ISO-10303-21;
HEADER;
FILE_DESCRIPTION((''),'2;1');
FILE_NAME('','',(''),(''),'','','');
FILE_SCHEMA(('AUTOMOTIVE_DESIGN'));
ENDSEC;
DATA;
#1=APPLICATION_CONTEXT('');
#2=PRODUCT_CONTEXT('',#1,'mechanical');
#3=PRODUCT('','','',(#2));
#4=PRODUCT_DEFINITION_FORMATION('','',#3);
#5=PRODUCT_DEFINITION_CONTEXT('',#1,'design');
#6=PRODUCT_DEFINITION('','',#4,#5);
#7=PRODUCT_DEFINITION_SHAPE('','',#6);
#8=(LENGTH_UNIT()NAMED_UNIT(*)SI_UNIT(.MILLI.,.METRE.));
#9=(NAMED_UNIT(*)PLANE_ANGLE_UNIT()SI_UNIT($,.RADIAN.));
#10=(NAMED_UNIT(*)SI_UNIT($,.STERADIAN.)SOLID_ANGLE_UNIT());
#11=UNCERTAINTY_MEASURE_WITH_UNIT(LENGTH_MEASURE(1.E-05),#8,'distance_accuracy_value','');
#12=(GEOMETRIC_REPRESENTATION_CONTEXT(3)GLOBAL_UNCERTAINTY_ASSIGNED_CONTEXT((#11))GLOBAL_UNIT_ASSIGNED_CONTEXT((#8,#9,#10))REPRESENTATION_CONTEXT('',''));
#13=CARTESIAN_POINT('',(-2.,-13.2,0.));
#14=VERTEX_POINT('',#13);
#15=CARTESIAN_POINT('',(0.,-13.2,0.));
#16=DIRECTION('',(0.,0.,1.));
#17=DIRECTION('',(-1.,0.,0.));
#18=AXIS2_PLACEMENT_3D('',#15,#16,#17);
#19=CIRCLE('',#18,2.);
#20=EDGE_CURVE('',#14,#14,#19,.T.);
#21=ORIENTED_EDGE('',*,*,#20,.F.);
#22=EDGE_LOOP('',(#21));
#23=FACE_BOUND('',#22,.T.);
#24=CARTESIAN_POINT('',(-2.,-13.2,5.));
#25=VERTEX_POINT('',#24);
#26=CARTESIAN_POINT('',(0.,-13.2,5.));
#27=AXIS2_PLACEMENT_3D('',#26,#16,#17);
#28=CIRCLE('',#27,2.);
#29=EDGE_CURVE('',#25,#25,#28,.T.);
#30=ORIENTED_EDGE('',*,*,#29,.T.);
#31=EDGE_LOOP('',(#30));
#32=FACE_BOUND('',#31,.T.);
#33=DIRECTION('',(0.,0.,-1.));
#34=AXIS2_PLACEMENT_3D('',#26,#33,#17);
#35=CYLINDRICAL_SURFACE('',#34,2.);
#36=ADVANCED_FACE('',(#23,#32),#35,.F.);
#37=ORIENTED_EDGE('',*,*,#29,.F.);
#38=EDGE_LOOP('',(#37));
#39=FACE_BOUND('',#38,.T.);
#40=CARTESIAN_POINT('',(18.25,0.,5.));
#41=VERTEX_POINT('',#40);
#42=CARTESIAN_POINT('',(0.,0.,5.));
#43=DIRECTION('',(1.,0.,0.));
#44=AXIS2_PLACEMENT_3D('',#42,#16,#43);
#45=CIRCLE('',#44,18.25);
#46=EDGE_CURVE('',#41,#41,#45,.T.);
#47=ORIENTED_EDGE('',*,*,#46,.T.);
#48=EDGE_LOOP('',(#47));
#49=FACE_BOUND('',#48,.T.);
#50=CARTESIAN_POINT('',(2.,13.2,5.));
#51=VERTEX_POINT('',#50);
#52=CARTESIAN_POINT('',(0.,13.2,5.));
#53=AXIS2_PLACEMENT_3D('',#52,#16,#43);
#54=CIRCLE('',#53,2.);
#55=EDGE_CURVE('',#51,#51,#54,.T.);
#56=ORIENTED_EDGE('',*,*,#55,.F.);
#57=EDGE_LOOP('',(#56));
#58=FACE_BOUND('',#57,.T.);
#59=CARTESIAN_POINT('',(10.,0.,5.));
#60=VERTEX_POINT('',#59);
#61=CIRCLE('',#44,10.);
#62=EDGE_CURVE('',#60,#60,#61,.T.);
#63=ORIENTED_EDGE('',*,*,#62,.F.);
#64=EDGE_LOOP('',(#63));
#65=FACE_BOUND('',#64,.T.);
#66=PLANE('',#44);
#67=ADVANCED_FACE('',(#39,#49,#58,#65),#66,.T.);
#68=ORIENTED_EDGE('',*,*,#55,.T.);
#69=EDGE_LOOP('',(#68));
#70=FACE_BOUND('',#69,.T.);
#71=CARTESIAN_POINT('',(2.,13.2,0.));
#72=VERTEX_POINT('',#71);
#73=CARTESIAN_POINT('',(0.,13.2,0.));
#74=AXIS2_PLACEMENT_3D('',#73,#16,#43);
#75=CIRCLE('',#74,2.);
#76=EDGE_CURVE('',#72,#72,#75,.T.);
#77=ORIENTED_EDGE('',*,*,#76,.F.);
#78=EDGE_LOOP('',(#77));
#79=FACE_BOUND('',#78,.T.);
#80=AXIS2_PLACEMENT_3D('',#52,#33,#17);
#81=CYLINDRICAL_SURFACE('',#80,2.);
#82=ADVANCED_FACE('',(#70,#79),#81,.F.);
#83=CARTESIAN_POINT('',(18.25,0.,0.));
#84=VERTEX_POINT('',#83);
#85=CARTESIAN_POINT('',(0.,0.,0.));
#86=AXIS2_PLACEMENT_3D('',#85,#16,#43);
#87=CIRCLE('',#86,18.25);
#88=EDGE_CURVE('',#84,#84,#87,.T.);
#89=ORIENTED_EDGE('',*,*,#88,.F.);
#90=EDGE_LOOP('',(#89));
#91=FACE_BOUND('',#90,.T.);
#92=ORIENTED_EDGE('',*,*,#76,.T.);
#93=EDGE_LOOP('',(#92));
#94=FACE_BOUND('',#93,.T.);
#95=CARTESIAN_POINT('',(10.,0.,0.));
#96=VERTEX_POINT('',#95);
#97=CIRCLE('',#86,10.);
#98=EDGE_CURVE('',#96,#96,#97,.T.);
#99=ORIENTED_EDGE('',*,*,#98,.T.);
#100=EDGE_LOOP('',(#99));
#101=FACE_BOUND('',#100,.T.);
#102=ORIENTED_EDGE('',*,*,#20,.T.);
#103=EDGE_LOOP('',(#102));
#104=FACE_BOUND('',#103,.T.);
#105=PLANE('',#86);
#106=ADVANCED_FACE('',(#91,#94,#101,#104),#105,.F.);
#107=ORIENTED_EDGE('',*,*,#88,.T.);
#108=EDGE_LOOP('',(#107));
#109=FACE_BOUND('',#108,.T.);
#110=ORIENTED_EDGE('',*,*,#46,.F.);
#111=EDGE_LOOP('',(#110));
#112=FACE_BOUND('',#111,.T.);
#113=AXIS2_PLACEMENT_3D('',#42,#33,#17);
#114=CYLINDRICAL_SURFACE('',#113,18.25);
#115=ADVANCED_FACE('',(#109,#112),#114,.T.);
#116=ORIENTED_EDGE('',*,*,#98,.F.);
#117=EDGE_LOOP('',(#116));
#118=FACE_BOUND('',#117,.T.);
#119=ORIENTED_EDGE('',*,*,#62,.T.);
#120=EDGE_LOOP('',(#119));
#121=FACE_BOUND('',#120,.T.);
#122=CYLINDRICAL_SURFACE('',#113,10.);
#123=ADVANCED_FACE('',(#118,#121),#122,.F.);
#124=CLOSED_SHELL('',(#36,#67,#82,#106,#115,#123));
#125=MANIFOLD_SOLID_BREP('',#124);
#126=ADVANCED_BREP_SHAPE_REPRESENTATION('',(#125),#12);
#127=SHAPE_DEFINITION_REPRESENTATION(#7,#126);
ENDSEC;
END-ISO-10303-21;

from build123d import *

# Parameters (mm, degrees)
SKETCH1_R           = 18.25
SKETCH1_R_2         = 2
SKETCH1_R_3         = 10
BOSS_EXTRUDE1_DEPTH = 5


with BuildPart() as part:
    # Sketch1 → Boss-Extrude1 (new body)
    with BuildSketch(Plane.XY):
        Circle(SKETCH1_R)
        with Locations((0, 13.2)):
            Circle(SKETCH1_R_2, mode=Mode.SUBTRACT)
        with Locations((0, -13.2)):
            Circle(SKETCH1_R_2, mode=Mode.SUBTRACT)
        Circle(SKETCH1_R_3, mode=Mode.SUBTRACT)
    extrude(amount=BOSS_EXTRUDE1_DEPTH)


solid = part.part
